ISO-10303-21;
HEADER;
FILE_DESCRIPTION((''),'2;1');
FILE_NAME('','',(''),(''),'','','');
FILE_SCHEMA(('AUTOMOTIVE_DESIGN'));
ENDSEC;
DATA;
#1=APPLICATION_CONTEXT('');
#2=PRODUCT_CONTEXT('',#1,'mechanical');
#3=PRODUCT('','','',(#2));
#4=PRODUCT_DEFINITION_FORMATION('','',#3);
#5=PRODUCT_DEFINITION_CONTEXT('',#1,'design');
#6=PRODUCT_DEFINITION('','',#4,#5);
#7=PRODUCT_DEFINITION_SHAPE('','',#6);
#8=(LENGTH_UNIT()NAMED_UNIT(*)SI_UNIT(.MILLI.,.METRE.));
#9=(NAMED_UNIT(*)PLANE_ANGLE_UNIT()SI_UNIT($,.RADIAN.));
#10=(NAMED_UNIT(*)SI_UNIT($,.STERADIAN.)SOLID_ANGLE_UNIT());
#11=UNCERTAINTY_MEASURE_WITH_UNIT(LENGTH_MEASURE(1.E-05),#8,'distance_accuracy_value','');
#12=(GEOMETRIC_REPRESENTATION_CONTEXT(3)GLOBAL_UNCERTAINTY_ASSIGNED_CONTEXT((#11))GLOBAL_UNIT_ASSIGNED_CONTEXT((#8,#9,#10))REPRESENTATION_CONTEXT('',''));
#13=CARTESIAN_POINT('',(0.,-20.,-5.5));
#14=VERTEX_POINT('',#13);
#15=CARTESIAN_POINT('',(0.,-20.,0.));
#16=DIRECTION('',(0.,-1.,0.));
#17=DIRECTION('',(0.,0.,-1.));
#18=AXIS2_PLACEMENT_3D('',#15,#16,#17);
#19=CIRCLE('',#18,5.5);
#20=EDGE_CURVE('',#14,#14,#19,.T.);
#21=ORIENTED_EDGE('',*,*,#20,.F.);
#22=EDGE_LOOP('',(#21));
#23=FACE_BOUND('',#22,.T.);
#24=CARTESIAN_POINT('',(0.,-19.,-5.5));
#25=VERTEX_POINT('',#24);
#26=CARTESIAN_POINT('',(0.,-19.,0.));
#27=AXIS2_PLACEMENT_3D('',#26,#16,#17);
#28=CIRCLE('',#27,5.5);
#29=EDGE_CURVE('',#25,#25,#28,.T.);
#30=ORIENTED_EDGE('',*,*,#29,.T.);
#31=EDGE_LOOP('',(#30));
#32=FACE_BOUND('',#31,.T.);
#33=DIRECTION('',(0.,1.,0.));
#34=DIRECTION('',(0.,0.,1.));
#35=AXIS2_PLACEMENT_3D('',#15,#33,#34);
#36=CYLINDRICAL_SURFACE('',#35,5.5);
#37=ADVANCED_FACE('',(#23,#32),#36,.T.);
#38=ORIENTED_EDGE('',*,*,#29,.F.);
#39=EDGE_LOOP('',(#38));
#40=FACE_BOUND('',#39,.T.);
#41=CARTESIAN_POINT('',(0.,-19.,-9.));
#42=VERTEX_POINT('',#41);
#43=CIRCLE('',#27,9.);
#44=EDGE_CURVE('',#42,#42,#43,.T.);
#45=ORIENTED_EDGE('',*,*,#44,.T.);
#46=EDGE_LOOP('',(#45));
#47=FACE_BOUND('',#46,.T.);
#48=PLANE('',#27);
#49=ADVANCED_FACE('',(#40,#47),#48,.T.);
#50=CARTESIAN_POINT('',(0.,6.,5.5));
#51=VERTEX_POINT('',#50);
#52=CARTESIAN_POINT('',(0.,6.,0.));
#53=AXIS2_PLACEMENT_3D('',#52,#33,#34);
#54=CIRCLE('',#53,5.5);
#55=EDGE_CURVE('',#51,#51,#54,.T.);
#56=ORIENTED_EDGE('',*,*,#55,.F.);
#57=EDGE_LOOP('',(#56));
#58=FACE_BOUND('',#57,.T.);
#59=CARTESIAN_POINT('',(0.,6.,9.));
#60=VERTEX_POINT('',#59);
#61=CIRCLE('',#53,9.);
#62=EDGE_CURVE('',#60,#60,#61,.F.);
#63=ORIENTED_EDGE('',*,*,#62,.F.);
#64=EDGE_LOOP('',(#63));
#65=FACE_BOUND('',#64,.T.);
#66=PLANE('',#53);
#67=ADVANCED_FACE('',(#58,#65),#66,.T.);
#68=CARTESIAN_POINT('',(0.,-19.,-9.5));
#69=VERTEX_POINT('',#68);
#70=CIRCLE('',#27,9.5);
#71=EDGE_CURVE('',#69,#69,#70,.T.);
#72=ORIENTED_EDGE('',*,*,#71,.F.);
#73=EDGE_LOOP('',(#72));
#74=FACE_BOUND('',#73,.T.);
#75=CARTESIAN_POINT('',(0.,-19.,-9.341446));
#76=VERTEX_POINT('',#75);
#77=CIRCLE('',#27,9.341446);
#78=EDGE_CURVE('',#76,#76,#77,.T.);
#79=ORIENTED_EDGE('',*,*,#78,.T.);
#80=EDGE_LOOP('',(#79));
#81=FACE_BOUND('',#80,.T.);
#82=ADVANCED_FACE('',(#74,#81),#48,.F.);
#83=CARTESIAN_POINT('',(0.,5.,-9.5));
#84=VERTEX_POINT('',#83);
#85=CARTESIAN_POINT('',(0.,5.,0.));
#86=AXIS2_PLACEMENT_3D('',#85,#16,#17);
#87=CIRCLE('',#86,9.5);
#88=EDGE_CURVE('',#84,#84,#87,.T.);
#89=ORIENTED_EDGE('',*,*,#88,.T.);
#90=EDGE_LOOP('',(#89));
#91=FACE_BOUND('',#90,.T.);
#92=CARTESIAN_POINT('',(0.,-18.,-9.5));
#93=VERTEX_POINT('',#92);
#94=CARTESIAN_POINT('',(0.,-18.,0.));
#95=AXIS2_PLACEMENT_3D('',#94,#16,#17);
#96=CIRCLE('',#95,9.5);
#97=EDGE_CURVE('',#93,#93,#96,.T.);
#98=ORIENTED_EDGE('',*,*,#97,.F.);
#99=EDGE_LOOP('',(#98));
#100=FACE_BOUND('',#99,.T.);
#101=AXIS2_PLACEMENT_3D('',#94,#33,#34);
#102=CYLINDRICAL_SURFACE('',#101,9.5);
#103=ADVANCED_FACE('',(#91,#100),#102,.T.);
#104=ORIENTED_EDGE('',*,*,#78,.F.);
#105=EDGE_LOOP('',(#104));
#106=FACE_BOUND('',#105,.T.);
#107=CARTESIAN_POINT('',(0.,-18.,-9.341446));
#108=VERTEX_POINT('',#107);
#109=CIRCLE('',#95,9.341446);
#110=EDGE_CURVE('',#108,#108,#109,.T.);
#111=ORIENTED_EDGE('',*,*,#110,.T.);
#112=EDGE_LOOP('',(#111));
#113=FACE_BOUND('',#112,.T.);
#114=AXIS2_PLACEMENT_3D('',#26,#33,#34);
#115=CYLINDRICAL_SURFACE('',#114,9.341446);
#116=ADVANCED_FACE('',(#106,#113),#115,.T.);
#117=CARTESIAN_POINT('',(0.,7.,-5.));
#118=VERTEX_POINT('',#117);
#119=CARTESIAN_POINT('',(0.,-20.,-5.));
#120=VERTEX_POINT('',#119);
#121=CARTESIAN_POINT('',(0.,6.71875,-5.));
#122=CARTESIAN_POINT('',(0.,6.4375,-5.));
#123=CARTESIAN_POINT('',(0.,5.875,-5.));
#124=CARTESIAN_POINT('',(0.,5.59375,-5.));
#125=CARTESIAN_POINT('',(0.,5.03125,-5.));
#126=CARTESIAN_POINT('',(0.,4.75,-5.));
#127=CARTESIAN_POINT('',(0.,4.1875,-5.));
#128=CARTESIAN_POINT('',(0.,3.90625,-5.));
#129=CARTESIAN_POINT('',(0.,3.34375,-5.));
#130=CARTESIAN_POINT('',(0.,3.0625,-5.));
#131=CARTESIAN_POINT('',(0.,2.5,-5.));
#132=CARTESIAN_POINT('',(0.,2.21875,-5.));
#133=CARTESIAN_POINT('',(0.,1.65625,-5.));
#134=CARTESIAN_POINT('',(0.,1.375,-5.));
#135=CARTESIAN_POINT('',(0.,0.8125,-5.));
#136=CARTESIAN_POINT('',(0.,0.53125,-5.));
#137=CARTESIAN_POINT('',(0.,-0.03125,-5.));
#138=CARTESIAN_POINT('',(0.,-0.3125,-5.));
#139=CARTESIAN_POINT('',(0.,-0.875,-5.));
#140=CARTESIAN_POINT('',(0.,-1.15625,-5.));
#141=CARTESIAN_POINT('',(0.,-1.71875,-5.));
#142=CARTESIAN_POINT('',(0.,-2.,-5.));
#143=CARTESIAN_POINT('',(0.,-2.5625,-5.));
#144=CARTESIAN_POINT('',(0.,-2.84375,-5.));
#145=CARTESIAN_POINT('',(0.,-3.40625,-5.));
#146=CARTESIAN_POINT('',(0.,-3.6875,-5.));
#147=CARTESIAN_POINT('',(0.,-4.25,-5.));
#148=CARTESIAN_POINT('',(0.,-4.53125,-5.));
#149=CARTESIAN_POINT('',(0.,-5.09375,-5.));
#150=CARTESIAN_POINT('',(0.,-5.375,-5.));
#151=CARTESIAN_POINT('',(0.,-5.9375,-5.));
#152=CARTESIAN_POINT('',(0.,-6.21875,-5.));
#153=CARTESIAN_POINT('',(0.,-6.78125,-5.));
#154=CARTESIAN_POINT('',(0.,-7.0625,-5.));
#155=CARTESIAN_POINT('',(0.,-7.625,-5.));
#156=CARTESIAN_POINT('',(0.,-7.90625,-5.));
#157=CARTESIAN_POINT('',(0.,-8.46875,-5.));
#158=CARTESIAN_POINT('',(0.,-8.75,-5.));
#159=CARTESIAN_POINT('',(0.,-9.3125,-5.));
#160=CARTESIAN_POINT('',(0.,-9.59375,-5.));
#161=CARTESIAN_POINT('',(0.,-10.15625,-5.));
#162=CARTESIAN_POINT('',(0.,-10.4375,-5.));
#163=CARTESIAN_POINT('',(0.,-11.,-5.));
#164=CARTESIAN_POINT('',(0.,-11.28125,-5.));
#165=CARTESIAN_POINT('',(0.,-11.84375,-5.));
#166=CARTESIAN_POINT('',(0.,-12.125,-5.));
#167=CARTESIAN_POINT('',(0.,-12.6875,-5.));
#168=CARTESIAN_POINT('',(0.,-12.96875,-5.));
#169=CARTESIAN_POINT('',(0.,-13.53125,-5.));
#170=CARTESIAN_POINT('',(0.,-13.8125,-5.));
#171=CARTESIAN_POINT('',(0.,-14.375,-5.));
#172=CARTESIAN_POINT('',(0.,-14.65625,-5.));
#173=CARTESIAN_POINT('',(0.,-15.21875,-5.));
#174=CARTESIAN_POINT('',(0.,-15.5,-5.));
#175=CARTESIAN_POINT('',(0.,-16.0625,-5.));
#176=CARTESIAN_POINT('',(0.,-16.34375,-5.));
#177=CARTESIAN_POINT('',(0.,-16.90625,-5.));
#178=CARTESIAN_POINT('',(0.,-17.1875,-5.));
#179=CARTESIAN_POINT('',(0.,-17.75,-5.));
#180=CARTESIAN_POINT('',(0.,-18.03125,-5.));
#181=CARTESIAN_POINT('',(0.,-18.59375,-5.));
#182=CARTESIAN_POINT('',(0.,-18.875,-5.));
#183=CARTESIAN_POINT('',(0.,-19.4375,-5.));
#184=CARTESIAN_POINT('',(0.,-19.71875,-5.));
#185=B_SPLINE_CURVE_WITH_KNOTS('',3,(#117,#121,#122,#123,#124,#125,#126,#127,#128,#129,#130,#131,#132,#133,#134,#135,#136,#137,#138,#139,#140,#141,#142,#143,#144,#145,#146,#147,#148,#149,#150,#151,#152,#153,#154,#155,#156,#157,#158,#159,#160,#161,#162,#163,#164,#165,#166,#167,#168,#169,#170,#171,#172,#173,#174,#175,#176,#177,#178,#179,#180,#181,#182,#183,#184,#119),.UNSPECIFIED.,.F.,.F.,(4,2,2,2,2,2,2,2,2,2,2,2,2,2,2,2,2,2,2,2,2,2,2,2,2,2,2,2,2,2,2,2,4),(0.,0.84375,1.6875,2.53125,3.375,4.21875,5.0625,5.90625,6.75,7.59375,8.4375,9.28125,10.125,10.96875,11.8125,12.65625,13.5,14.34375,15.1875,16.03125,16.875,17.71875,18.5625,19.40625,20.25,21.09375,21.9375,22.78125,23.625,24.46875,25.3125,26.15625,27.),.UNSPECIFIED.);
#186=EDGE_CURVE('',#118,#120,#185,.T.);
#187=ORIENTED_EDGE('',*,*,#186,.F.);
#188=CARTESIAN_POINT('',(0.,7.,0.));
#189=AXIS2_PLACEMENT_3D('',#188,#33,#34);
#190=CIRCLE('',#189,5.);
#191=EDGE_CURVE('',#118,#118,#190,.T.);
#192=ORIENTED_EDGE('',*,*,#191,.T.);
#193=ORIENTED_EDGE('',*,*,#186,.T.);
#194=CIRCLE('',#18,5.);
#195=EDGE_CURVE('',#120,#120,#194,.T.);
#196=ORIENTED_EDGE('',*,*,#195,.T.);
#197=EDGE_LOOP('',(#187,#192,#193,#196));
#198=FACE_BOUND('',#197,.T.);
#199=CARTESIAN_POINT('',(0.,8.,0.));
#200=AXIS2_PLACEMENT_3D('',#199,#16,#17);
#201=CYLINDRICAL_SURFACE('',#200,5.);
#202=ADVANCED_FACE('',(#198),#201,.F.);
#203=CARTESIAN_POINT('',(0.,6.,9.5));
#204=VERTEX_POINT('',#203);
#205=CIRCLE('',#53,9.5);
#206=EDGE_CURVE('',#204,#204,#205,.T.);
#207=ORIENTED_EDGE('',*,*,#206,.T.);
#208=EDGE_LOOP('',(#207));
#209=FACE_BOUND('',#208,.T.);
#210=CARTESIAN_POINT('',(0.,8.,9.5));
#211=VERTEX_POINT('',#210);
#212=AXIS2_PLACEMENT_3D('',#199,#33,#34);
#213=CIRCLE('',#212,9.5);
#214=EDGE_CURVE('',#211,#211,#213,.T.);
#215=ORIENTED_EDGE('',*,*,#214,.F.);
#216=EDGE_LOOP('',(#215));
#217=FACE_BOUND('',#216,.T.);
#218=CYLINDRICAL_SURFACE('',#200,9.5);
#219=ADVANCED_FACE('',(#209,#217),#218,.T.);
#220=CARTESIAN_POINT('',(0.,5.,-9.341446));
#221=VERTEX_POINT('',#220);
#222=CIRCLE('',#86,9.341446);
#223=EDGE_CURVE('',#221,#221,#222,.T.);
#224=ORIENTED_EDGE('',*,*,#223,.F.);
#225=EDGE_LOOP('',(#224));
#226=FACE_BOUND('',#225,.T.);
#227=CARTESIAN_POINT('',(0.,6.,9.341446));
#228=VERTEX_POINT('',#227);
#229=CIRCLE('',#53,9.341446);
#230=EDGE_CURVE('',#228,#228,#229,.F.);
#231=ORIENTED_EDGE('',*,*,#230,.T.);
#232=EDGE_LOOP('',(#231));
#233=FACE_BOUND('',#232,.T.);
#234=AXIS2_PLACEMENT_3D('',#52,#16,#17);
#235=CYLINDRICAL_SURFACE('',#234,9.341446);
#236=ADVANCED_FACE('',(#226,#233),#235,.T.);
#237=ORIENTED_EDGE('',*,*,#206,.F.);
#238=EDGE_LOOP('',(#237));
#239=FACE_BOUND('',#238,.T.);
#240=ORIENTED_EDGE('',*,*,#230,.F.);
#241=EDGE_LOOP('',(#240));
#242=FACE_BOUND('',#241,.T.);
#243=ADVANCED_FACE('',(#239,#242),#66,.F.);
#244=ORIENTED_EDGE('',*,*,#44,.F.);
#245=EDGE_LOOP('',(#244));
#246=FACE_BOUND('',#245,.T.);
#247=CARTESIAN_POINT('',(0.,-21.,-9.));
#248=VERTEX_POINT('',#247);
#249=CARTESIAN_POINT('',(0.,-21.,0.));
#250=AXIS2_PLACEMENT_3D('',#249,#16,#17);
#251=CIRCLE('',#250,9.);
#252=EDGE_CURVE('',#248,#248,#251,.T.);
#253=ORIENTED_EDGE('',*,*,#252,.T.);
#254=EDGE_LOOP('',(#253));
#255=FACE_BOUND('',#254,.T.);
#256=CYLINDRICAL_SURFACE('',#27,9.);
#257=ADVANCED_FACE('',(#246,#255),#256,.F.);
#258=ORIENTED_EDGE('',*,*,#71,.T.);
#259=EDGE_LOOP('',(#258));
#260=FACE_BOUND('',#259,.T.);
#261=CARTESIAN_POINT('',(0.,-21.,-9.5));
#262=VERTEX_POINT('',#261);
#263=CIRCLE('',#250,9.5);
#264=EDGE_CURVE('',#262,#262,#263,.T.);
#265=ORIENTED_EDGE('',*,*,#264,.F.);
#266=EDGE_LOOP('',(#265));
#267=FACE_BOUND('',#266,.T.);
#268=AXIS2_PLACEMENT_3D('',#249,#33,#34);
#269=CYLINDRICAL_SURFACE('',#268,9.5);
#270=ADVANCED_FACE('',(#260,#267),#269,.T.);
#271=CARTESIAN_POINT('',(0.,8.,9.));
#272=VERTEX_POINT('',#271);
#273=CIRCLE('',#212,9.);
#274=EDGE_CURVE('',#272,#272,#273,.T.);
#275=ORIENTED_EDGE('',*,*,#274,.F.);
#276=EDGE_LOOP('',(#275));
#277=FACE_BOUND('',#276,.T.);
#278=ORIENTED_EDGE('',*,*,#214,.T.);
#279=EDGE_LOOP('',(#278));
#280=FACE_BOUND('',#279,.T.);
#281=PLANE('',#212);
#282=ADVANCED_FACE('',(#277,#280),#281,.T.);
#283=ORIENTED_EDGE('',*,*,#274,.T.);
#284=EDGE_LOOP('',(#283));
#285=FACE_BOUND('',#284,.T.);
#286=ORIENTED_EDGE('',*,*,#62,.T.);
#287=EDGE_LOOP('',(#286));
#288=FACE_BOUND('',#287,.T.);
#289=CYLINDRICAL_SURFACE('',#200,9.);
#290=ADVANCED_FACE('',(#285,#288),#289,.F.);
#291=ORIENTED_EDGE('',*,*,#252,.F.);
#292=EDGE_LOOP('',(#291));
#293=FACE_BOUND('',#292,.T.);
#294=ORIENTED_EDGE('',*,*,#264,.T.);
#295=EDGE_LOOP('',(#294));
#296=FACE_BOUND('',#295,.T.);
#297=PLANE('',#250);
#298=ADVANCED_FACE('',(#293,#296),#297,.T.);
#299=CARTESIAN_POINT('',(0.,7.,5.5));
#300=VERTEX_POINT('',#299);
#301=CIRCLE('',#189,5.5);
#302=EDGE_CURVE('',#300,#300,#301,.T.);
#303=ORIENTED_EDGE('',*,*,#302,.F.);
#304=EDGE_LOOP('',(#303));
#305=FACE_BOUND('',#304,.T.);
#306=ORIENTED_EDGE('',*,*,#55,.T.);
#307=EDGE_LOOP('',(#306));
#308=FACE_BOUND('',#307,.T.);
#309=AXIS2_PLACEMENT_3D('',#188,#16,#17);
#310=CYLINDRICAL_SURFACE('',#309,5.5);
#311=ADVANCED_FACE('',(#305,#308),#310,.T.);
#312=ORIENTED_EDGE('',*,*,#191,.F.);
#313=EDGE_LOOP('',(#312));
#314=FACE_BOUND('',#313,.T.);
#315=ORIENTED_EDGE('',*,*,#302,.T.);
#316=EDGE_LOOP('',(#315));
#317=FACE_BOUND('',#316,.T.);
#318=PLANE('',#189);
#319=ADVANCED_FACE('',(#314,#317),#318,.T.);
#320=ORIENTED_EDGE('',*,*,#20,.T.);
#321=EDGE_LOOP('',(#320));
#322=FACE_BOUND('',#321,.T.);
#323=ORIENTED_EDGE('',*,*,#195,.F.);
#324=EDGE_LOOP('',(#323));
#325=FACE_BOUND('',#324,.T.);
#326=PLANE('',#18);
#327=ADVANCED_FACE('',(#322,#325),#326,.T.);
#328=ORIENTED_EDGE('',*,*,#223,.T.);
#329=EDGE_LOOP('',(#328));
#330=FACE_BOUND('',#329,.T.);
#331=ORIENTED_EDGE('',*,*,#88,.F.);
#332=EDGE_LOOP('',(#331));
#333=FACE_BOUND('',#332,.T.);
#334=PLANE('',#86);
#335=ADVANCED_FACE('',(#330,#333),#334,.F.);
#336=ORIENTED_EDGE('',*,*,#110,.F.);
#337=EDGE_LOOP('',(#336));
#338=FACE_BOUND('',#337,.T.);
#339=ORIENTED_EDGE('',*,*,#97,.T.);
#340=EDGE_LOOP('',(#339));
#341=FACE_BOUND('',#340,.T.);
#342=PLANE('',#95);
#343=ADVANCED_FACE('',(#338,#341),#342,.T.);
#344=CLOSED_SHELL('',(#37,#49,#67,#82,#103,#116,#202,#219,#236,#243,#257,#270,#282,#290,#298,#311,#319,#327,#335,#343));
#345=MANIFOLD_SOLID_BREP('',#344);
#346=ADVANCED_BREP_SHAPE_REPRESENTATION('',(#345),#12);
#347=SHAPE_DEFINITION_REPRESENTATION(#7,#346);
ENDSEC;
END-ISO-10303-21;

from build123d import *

# Parameters (mm, degrees)
SKETCH1_R            = 5.484091061
SKETCH1_R_2          = 5
BOSS_EXTRUDE1_DEPTH  = 6
SKETCH2_R            = 9.5
SKETCH2_R_2          = 9
BOSS_EXTRUDE2_DEPTH  = 2
SKETCH3_R            = 9.341445955
BOSS_EXTRUDE5_DEPTH  = 6
SKETCH4_R            = 9.341445955
CUT_EXTRUDE1_DEPTH   = 5
BOSS_EXTRUDE7_START  = 23
SKETCH5_R            = 9.5
BOSS_EXTRUDE7_DEPTH  = 23
BOSS_EXTRUDE8_START  = 1
SKETCH7_R            = 9.341445955
BOSS_EXTRUDE8_DEPTH  = 1
BOSS_EXTRUDE9_START  = 2
SKETCH8_R            = 9.5
BOSS_EXTRUDE9_DEPTH  = 2
SKETCH9_R            = 5
CUT_EXTRUDE2_DEPTH   = 29
SKETCH10_R           = 9
SKETCH10_R_2         = 5
CUT_EXTRUDE3_DEPTH   = 2
SKETCH11_R           = 5.5
SKETCH11_R_2         = 5
BOSS_EXTRUDE10_DEPTH = 1
BOSS_EXTRUDE11_START = 1
SKETCH12_R           = 5.5
SKETCH12_R_2         = 5
BOSS_EXTRUDE11_DEPTH = 1


with BuildPart() as part:
    # Sketch1 → Boss-Extrude1 (new body)
    with BuildSketch(Plane(origin=(0, 0, 0), x_dir=(1, 0, 0), z_dir=(0, 1, 0))):
        with Locations(Location((0, 0, 0), (0, 0, 270))):
            Circle(SKETCH1_R)
        with Locations(Location((0, 0, 0), (0, 0, 270))):
            Circle(SKETCH1_R_2, mode=Mode.SUBTRACT)
    extrude(amount=BOSS_EXTRUDE1_DEPTH)



with BuildPart() as body_2:
    # Sketch2 → Boss-Extrude2 (new body)
    with BuildSketch(Plane(origin=(0, 6, 0), x_dir=(1, 0, 0), z_dir=(0, 1, 0))):
        with Locations(Location((0, 0, 0), (0, 0, 270))):
            Circle(SKETCH2_R)
        with Locations(Location((0, 0, 0), (0, 0, 270))):
            Circle(SKETCH2_R_2, mode=Mode.SUBTRACT)
    extrude(amount=BOSS_EXTRUDE2_DEPTH)


with BuildPart() as part_1:
    add(part.part)

    add(body_2.part)  # Boss-Extrude5 merges body 2
    # Sketch3 → Boss-Extrude5 (add)
    with BuildSketch(Plane.XZ):
        with Locations(Location((0, 0, 0), (0, 0, 270))):
            Circle(SKETCH3_R)
    extrude(amount=-BOSS_EXTRUDE5_DEPTH)

    # Sketch4 → Cut-Extrude1 (cut)
    with BuildSketch(Plane.XZ):
        with Locations(Location((0, 0, 0), (0, 0, 270))):
            Circle(SKETCH4_R)
    extrude(amount=-CUT_EXTRUDE1_DEPTH, mode=Mode.SUBTRACT)

    # Sketch5 → Boss-Extrude7 (add)
    with BuildSketch(Plane.XZ.offset(-5).offset(BOSS_EXTRUDE7_START)):
        with Locations(Location((0, 0, 0), (0, 0, 90))):
            Circle(SKETCH5_R)
    extrude(amount=-BOSS_EXTRUDE7_DEPTH)

    # Sketch7 → Boss-Extrude8 (add)
    with BuildSketch(Plane.XZ.offset(18).offset(BOSS_EXTRUDE8_START)):
        with Locations(Location((0, 0, 0), (0, 0, 270))):
            Circle(SKETCH7_R)
    extrude(amount=-BOSS_EXTRUDE8_DEPTH)

    # Sketch8 → Boss-Extrude9 (add)
    with BuildSketch(Plane.XZ.offset(19).offset(BOSS_EXTRUDE9_START)):
        with Locations(Location((0, 0, 0), (0, 0, 90))):
            Circle(SKETCH8_R)
    extrude(amount=-BOSS_EXTRUDE9_DEPTH)

    # Sketch9 → Cut-Extrude2 (cut)
    with BuildSketch(Plane.XZ.offset(21)):
        with Locations(Location((0, 0, 0), (0, 0, 270))):
            Circle(SKETCH9_R)
    extrude(amount=-CUT_EXTRUDE2_DEPTH, mode=Mode.SUBTRACT)

    # Sketch10 → Cut-Extrude3 (cut)
    with BuildSketch(Plane.XZ.offset(21)):
        with Locations(Location((0, 0, 0), (0, 0, 90))):
            Circle(SKETCH10_R)
        with Locations(Location((0, 0, 0), (0, 0, 270))):
            Circle(SKETCH10_R_2, mode=Mode.SUBTRACT)
    extrude(amount=-CUT_EXTRUDE3_DEPTH, mode=Mode.SUBTRACT)

    # Sketch11 → Boss-Extrude10 (add)
    with BuildSketch(Plane(origin=(0, 6, 0), x_dir=(1, 0, 0), z_dir=(0, 1, 0))):
        with Locations(Location((0, 0, 0), (0, 0, 270))):
            Circle(SKETCH11_R)
        with Locations(Location((0, 0, 0), (0, 0, 90))):
            Circle(SKETCH11_R_2, mode=Mode.SUBTRACT)
    extrude(amount=BOSS_EXTRUDE10_DEPTH)

    # Sketch12 → Boss-Extrude11 (add)
    with BuildSketch(Plane.XZ.offset(19).offset(BOSS_EXTRUDE11_START)):
        with Locations(Location((0, 0, 0), (0, 0, 90))):
            Circle(SKETCH12_R)
        with Locations(Location((0, 0, 0), (0, 0, 270))):
            Circle(SKETCH12_R_2, mode=Mode.SUBTRACT)
    extrude(amount=-BOSS_EXTRUDE11_DEPTH)


solid = part_1.part
